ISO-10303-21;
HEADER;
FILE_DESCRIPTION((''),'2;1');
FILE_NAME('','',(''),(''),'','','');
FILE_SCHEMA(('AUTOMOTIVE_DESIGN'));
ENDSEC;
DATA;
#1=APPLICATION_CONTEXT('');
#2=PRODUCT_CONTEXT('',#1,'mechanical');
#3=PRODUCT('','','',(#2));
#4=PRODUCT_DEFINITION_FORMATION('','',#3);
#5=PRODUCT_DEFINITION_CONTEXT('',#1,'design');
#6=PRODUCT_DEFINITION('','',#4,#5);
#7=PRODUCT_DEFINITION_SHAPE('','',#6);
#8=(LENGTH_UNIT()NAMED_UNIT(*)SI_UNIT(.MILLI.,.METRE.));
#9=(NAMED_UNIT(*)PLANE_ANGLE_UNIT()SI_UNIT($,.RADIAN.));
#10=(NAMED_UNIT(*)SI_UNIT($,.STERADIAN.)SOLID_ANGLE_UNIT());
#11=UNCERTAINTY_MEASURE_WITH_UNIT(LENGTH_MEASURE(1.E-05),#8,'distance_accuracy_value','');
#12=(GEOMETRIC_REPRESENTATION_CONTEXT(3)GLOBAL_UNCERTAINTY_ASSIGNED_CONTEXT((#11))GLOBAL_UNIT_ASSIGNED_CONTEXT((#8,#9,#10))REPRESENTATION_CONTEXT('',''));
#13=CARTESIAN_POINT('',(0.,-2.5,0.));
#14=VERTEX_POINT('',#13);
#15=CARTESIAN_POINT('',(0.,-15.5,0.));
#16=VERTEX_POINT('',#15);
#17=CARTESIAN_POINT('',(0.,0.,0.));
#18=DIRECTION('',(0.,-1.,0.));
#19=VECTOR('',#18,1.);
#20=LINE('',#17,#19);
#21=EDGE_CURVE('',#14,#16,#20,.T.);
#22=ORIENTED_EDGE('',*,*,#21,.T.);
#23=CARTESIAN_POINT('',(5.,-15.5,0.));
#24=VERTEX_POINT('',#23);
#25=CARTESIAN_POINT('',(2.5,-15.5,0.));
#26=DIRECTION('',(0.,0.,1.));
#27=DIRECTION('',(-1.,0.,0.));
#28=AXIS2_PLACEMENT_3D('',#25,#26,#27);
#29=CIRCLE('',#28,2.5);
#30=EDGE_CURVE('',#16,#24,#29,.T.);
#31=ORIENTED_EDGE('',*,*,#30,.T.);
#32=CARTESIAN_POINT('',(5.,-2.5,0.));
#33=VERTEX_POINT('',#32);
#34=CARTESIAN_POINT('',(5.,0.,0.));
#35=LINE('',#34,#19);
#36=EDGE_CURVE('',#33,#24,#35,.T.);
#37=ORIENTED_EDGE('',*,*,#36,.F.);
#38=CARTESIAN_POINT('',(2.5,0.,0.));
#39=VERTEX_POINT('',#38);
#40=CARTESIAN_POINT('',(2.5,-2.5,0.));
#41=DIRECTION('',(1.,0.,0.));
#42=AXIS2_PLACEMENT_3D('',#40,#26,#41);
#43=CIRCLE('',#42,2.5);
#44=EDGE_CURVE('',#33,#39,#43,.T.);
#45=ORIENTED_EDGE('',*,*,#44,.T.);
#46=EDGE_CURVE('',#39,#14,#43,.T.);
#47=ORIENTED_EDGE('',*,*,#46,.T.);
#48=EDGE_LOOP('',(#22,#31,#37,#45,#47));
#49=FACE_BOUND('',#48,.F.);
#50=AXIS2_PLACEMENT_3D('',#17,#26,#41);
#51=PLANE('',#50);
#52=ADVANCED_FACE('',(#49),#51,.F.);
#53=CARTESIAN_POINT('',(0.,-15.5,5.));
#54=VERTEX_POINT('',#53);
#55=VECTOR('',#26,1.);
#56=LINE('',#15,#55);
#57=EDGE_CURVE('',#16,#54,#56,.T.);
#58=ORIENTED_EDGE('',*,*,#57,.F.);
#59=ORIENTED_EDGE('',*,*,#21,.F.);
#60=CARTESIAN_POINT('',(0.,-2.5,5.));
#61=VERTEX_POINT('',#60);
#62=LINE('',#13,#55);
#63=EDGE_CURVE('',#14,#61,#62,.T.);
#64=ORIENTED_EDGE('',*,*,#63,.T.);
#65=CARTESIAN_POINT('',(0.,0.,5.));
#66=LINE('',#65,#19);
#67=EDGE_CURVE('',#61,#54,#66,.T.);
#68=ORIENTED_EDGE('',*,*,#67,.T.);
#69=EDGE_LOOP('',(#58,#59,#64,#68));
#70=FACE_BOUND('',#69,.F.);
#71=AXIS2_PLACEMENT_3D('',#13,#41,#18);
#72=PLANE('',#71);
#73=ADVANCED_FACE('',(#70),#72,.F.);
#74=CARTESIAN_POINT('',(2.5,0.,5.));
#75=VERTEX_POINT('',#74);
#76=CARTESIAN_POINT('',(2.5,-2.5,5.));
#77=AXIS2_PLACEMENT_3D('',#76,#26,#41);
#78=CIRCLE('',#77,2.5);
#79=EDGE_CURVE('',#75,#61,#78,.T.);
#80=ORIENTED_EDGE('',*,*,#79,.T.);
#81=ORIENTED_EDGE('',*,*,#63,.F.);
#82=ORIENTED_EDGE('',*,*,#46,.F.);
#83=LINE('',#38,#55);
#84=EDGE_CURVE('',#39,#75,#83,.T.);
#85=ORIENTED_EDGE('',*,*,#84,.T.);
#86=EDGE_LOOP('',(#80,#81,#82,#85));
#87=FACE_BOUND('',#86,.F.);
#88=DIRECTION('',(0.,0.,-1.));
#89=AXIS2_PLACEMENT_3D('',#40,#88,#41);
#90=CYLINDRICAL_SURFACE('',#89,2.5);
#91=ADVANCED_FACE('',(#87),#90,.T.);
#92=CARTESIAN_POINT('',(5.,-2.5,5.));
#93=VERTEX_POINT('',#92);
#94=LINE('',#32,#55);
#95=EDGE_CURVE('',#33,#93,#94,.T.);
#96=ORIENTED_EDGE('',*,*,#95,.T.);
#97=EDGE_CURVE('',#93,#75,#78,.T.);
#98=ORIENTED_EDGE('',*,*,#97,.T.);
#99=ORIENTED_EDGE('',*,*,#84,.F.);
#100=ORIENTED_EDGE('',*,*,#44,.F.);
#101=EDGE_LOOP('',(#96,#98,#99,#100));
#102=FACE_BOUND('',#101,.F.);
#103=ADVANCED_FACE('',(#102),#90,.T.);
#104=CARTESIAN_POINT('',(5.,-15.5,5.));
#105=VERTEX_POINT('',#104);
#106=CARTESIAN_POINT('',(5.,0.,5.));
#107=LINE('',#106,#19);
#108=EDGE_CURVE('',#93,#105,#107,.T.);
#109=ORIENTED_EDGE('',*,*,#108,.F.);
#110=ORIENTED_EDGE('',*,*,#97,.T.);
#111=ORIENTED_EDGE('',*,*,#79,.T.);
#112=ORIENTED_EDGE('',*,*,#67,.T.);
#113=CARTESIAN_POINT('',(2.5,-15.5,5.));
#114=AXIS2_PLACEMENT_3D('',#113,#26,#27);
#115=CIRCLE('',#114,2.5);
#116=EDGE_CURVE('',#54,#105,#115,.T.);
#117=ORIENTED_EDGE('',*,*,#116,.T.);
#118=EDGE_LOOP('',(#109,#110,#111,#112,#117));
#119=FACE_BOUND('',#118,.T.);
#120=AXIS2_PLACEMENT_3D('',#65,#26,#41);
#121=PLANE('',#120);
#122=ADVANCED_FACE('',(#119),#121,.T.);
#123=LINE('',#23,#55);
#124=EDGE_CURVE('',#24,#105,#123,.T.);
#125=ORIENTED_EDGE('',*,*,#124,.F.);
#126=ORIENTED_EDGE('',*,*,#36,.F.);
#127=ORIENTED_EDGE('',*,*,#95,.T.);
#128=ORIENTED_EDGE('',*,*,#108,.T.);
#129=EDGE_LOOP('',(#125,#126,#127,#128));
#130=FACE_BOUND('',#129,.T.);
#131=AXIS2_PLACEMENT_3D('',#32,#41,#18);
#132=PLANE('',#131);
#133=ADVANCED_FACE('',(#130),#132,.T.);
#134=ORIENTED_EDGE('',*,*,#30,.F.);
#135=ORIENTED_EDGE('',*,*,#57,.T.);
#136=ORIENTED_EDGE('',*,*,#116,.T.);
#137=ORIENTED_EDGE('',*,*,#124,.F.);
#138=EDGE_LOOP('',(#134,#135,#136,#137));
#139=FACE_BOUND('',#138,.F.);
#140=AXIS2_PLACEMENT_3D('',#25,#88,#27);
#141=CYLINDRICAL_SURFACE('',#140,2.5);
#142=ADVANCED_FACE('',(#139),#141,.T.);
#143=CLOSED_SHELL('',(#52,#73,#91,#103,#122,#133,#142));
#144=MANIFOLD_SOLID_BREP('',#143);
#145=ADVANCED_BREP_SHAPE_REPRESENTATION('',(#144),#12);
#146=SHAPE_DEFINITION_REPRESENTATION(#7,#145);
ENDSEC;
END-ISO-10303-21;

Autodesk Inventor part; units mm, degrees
ref_plane "YZ Plane" through (0, 0, 0) normal (1, 0, 0) x (0, 1, 0)
ref_plane "XZ Plane" through (0, 0, 0) normal (0, 1, 0) x (-1, 0, 0)
ref_plane "XY Plane" through (0, 0, 0) normal (0, 0, 1) x (1, 0, 0)
sketch "스케치1" plane through (0, 0, 0) normal (0, 0, 1) x (1, 0, 0)
  line L0 (5, 0) -> (5, -15.5) projected
  line L1 (0, 0) -> (5, 0) projected
  line L2 (0, 0) -> (0, -15.5) projected
  arc A0 (0, -15.5) -> (5, -15.5) centre (2.5, -15.5) ccw projected
  arc A1 (5, -2.5) -> (0, -2.5) centre (2.5, -2.5) ccw
extrude "돌출1" add sketch "스케치1" along normal blind 5 contours L0 A0 L2 A1
properties part number "Motor_key"
